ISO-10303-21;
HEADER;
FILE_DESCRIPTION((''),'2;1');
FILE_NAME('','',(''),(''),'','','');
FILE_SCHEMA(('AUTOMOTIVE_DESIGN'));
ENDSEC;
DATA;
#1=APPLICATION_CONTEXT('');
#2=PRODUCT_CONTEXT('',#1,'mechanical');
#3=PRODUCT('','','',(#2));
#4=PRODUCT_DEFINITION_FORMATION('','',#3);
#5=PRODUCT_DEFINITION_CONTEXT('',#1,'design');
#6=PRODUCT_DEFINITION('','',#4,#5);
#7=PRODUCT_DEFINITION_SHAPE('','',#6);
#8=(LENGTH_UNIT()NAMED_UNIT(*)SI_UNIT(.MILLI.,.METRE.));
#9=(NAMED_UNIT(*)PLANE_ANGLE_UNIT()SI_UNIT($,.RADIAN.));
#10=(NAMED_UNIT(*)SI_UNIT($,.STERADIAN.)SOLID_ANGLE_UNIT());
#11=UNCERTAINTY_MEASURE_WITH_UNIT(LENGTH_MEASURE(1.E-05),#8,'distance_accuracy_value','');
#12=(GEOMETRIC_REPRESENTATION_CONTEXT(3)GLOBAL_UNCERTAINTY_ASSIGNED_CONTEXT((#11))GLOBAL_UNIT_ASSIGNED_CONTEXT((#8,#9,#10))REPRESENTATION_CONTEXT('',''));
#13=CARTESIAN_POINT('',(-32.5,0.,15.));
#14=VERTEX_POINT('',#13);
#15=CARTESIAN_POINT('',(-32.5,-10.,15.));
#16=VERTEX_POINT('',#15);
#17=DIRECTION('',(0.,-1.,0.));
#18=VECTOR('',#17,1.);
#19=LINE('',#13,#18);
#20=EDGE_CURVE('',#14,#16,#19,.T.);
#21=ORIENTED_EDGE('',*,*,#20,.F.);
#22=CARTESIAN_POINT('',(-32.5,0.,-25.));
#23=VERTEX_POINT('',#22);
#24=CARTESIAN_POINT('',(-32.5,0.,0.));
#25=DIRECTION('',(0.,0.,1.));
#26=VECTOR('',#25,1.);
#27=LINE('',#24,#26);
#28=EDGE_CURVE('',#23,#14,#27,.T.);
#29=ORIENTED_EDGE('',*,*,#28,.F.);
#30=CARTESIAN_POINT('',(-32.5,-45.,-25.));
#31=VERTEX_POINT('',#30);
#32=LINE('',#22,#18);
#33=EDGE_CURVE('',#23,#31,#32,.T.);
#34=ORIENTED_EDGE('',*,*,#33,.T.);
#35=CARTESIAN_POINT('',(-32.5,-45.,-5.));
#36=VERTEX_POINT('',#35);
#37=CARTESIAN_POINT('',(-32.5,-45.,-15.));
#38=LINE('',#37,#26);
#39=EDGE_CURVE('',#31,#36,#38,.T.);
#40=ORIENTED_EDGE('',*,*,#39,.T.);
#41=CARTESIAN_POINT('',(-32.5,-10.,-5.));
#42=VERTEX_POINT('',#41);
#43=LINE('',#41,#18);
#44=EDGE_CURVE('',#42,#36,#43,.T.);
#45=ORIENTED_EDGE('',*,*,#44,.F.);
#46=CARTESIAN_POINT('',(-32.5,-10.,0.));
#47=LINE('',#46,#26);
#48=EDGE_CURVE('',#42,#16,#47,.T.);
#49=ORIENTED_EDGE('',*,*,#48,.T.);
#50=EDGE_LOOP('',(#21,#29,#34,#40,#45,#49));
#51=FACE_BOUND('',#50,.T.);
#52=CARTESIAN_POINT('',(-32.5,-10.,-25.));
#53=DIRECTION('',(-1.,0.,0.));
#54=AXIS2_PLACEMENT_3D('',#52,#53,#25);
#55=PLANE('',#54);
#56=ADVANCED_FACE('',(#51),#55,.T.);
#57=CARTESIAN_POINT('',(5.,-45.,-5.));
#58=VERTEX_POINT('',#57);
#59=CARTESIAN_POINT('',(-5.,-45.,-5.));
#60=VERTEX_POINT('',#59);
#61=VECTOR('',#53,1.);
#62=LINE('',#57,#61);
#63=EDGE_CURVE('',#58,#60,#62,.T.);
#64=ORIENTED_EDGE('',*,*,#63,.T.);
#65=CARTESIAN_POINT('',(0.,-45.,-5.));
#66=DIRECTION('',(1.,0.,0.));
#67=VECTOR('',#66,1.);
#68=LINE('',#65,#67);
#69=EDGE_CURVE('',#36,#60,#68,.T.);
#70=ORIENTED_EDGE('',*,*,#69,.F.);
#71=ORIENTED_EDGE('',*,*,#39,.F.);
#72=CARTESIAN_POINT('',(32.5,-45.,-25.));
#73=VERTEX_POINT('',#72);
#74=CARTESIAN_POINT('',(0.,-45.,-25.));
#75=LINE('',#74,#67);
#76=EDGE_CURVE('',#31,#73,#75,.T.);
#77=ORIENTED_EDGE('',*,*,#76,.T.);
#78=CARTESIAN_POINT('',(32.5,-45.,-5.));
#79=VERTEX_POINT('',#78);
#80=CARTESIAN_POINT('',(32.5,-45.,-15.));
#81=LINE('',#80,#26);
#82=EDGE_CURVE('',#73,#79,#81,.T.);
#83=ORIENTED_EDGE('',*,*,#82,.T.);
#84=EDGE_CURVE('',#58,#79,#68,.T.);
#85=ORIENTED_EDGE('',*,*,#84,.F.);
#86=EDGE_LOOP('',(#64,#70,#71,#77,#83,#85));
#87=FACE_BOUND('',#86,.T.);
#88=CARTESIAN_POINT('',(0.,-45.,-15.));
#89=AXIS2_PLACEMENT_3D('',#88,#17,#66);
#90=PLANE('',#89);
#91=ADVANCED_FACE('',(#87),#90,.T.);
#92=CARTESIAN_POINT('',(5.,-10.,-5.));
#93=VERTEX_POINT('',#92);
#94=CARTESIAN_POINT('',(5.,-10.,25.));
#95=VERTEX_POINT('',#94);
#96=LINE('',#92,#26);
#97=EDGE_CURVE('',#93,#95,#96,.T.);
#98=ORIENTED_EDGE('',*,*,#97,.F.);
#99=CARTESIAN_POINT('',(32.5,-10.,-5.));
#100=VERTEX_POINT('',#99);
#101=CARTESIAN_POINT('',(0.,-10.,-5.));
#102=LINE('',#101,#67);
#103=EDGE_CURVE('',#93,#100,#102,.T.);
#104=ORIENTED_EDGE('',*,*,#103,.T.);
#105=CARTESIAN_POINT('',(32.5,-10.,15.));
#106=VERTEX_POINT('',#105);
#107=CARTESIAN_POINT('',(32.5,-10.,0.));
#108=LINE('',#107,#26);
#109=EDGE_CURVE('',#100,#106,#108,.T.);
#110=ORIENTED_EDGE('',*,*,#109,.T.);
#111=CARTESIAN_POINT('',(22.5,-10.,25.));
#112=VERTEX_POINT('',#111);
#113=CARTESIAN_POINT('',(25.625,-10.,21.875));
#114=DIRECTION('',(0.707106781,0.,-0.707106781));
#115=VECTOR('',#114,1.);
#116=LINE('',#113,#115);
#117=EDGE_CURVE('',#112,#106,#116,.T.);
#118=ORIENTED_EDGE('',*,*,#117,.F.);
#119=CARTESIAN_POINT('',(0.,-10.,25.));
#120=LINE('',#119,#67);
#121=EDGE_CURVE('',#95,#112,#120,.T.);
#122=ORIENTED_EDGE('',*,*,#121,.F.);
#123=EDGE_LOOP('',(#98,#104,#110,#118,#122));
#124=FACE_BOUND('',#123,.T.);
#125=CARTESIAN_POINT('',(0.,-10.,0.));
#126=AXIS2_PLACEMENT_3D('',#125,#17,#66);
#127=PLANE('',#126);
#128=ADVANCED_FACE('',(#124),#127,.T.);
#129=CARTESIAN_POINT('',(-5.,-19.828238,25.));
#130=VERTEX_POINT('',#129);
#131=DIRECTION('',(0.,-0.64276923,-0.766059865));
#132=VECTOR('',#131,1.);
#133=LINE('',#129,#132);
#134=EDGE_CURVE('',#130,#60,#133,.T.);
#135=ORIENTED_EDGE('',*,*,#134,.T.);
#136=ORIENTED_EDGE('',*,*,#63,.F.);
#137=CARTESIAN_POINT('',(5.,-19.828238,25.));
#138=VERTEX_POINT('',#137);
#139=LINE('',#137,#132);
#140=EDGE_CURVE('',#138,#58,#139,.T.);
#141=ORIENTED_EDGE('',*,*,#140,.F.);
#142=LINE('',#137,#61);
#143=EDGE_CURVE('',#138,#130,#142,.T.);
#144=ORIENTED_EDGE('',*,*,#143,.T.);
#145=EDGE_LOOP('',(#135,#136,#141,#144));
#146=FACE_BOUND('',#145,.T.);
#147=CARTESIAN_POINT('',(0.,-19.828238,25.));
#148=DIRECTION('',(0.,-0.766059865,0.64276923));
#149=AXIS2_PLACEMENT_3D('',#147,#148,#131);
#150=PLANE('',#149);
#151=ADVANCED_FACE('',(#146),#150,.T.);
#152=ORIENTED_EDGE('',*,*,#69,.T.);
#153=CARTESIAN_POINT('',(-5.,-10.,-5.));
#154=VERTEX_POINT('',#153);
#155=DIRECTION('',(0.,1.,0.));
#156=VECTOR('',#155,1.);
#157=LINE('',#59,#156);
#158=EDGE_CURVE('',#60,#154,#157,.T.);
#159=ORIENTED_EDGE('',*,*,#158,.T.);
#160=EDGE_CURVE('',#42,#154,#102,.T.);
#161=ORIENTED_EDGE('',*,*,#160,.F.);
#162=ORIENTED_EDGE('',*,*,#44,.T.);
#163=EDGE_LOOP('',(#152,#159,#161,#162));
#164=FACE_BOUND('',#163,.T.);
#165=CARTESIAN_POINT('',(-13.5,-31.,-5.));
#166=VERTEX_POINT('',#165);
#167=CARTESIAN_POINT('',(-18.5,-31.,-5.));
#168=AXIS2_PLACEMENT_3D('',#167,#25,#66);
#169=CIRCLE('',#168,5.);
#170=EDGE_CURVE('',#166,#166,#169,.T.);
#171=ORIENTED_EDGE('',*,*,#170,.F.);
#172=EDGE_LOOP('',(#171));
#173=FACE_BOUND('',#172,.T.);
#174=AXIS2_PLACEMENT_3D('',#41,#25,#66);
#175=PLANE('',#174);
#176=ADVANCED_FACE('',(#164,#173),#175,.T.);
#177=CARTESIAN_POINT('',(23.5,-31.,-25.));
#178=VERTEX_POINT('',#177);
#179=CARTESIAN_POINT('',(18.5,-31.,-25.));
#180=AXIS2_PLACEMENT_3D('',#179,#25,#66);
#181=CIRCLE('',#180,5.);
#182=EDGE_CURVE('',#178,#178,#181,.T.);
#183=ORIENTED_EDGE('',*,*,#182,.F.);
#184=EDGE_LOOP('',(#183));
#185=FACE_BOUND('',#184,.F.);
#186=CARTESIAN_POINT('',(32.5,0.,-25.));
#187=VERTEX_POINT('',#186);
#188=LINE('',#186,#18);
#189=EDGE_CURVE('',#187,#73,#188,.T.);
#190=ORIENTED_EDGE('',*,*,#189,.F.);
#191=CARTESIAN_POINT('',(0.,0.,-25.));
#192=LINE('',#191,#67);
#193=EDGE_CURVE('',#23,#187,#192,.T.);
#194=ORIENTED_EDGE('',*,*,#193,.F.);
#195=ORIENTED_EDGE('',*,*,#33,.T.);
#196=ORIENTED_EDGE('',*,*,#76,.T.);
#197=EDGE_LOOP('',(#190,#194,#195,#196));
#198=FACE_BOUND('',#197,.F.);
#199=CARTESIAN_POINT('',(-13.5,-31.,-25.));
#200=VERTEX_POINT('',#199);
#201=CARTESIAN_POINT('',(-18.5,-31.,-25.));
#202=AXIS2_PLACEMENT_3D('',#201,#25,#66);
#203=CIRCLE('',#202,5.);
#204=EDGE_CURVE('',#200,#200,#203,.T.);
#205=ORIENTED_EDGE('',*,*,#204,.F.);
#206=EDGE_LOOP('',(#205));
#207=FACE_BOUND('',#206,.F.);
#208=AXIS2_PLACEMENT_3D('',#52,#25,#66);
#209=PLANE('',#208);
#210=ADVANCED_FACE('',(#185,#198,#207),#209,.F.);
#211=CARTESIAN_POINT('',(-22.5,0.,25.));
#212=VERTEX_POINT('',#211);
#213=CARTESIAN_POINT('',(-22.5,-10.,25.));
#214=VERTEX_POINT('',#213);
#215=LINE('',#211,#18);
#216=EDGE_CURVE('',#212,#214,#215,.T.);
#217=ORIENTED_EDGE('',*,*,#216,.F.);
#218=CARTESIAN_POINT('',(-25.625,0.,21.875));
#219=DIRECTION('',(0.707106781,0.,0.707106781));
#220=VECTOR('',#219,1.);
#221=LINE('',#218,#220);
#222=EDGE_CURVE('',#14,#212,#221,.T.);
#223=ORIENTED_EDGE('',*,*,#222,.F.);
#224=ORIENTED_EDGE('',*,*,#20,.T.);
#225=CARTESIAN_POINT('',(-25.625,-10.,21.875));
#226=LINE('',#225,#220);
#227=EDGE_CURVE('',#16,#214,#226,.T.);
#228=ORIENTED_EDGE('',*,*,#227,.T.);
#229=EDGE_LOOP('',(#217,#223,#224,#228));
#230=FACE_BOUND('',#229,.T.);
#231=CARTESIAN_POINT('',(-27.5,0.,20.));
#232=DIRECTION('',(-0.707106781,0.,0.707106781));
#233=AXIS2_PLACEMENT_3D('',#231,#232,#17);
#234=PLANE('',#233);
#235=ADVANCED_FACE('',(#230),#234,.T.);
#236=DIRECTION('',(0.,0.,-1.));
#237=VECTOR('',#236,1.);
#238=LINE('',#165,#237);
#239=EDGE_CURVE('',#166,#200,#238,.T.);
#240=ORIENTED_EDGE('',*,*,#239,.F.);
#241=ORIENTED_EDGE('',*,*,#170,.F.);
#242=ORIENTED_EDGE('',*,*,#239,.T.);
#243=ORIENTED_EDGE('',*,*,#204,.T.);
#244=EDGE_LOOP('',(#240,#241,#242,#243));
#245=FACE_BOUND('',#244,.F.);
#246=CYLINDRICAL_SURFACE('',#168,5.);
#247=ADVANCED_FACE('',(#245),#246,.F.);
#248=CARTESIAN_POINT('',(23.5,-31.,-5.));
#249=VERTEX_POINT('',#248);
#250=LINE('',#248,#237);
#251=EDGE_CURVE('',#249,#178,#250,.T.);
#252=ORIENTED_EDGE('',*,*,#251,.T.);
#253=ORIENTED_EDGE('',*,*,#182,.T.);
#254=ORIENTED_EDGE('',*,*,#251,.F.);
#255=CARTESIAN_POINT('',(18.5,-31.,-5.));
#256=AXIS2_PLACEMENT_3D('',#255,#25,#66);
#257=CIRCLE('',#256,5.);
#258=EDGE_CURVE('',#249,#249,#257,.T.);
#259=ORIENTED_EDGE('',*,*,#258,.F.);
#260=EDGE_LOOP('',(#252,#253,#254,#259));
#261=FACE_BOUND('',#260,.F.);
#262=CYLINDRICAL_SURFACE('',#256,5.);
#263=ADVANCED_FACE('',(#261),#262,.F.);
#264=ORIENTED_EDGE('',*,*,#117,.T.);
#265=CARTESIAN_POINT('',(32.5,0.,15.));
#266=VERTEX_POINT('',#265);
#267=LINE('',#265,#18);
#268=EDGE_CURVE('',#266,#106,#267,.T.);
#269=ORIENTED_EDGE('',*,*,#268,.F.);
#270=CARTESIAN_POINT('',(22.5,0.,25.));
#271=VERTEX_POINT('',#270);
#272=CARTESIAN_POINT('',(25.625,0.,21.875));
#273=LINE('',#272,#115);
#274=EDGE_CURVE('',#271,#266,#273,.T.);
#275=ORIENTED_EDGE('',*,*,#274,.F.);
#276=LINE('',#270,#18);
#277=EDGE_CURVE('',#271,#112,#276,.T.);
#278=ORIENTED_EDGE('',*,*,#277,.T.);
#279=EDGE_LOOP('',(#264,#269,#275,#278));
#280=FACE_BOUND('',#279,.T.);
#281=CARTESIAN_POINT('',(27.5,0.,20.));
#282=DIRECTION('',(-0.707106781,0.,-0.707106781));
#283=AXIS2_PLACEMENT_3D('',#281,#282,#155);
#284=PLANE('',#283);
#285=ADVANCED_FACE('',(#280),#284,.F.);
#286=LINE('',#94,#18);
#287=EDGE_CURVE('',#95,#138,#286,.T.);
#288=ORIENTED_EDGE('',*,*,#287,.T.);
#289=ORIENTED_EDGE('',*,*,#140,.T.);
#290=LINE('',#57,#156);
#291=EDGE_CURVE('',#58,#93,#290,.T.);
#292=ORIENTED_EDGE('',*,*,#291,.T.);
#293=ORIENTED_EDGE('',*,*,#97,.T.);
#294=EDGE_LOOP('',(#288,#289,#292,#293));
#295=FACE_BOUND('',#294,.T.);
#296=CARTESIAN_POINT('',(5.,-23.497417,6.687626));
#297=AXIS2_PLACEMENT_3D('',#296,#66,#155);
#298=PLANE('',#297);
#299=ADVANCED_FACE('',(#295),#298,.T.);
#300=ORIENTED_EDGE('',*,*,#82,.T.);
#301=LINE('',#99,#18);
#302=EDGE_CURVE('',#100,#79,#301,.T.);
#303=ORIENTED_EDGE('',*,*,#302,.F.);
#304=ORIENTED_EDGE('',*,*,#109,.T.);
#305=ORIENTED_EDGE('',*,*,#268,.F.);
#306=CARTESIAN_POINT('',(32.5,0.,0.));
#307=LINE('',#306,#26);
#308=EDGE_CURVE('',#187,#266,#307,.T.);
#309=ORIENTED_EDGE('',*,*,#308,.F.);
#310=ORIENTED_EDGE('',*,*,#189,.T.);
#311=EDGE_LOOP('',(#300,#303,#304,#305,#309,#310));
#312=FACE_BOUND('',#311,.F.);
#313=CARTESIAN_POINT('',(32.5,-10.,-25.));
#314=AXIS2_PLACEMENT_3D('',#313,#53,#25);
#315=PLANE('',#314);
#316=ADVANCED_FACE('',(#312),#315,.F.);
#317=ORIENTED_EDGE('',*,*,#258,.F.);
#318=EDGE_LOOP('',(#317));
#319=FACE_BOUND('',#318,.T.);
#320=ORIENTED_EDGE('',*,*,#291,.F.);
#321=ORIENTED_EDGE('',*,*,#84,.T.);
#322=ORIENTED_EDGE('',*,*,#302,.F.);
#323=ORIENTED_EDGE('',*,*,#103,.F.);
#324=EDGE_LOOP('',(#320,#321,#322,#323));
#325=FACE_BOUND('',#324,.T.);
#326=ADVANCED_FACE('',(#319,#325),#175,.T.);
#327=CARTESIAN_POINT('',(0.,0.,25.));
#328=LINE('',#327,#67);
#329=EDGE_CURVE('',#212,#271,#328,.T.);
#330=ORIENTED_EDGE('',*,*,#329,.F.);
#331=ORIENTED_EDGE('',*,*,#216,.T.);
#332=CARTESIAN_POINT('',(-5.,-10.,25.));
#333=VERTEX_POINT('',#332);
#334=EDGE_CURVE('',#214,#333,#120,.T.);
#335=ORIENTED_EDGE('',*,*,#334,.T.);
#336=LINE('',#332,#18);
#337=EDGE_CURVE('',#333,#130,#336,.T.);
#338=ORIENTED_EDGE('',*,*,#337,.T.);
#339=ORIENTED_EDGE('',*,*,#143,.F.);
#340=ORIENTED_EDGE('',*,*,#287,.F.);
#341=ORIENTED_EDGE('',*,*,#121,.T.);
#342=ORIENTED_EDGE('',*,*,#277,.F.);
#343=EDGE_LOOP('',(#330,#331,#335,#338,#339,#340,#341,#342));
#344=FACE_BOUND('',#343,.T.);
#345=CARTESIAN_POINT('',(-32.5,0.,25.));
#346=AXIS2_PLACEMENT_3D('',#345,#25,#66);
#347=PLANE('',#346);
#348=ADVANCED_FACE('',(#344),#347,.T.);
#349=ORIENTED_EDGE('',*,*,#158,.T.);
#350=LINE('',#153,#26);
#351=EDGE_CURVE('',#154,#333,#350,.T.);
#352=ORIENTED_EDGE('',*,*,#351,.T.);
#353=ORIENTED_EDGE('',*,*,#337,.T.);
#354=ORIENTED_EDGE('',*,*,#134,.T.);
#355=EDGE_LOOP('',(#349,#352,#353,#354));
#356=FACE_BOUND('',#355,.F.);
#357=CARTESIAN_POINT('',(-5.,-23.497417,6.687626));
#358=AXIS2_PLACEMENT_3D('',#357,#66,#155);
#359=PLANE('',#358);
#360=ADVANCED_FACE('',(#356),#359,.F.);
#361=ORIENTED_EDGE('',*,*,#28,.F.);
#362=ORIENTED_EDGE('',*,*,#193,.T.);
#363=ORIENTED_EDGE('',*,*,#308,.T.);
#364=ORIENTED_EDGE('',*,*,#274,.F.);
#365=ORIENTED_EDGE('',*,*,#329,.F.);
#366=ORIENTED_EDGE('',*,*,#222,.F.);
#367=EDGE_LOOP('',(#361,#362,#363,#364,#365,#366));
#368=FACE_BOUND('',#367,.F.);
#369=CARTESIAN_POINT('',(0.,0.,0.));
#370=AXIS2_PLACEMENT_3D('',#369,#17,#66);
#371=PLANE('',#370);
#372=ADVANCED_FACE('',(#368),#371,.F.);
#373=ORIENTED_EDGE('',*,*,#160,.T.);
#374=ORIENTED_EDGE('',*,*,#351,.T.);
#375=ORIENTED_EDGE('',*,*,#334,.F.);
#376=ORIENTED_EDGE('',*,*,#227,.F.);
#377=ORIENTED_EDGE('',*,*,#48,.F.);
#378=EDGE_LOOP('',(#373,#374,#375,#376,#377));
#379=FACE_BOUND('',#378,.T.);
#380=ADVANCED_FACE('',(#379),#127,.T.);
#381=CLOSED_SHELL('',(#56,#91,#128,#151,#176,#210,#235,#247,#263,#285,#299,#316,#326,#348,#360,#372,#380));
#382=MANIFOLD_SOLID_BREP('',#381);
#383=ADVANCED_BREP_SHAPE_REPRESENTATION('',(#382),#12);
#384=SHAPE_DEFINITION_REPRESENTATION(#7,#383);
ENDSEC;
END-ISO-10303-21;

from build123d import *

# Parameters (mm, degrees)
F0_W     = 65
F0_H     = 50
F1_DEPTH = 10
F2_W     = 65
F2_H     = 20
F3_DEPTH = 35
F5_DEPTH = 5
F6_SIZE  = 10
F7_R     = 5
F8_DEPTH = 20.001


with BuildPart() as f1:
    # F0 (on Front) → F1 (new body)
    with BuildSketch(Plane.XZ):
        Rectangle(F0_W, F0_H)
    extrude(amount=F1_DEPTH)

    # F2 (on face) → F3 (join)
    with BuildSketch(Plane.XZ.offset(10)):
        with Locations((0, -15)):
            Rectangle(F2_W, F2_H)
    extrude(amount=F3_DEPTH)

    # F4 (on Right) → F5 (join, symmetric)
    with BuildSketch(Plane.YZ):
        Polygon((-45, -5), (-10, -5), (-10, 25), (-19.8282375932, 25), align=None)
    extrude(amount=F5_DEPTH, both=True)

    # F6
    f6_edges = [f1.edges().sort_by_distance(p)[0] for p in [
        (-32.5, -5, 25),
        (32.5, -5, 25),
    ]]
    chamfer(f6_edges, length=F6_SIZE)

    # F7 (on face) → F8 (cut, through all)
    with BuildSketch(Plane.XY.offset(-5)):
        with Locations((-18.5, -31)):
            Circle(F7_R)
        with Locations((18.5, -31)):
            Circle(F7_R)
    extrude(amount=-F8_DEPTH, mode=Mode.SUBTRACT)


solid = f1.part
